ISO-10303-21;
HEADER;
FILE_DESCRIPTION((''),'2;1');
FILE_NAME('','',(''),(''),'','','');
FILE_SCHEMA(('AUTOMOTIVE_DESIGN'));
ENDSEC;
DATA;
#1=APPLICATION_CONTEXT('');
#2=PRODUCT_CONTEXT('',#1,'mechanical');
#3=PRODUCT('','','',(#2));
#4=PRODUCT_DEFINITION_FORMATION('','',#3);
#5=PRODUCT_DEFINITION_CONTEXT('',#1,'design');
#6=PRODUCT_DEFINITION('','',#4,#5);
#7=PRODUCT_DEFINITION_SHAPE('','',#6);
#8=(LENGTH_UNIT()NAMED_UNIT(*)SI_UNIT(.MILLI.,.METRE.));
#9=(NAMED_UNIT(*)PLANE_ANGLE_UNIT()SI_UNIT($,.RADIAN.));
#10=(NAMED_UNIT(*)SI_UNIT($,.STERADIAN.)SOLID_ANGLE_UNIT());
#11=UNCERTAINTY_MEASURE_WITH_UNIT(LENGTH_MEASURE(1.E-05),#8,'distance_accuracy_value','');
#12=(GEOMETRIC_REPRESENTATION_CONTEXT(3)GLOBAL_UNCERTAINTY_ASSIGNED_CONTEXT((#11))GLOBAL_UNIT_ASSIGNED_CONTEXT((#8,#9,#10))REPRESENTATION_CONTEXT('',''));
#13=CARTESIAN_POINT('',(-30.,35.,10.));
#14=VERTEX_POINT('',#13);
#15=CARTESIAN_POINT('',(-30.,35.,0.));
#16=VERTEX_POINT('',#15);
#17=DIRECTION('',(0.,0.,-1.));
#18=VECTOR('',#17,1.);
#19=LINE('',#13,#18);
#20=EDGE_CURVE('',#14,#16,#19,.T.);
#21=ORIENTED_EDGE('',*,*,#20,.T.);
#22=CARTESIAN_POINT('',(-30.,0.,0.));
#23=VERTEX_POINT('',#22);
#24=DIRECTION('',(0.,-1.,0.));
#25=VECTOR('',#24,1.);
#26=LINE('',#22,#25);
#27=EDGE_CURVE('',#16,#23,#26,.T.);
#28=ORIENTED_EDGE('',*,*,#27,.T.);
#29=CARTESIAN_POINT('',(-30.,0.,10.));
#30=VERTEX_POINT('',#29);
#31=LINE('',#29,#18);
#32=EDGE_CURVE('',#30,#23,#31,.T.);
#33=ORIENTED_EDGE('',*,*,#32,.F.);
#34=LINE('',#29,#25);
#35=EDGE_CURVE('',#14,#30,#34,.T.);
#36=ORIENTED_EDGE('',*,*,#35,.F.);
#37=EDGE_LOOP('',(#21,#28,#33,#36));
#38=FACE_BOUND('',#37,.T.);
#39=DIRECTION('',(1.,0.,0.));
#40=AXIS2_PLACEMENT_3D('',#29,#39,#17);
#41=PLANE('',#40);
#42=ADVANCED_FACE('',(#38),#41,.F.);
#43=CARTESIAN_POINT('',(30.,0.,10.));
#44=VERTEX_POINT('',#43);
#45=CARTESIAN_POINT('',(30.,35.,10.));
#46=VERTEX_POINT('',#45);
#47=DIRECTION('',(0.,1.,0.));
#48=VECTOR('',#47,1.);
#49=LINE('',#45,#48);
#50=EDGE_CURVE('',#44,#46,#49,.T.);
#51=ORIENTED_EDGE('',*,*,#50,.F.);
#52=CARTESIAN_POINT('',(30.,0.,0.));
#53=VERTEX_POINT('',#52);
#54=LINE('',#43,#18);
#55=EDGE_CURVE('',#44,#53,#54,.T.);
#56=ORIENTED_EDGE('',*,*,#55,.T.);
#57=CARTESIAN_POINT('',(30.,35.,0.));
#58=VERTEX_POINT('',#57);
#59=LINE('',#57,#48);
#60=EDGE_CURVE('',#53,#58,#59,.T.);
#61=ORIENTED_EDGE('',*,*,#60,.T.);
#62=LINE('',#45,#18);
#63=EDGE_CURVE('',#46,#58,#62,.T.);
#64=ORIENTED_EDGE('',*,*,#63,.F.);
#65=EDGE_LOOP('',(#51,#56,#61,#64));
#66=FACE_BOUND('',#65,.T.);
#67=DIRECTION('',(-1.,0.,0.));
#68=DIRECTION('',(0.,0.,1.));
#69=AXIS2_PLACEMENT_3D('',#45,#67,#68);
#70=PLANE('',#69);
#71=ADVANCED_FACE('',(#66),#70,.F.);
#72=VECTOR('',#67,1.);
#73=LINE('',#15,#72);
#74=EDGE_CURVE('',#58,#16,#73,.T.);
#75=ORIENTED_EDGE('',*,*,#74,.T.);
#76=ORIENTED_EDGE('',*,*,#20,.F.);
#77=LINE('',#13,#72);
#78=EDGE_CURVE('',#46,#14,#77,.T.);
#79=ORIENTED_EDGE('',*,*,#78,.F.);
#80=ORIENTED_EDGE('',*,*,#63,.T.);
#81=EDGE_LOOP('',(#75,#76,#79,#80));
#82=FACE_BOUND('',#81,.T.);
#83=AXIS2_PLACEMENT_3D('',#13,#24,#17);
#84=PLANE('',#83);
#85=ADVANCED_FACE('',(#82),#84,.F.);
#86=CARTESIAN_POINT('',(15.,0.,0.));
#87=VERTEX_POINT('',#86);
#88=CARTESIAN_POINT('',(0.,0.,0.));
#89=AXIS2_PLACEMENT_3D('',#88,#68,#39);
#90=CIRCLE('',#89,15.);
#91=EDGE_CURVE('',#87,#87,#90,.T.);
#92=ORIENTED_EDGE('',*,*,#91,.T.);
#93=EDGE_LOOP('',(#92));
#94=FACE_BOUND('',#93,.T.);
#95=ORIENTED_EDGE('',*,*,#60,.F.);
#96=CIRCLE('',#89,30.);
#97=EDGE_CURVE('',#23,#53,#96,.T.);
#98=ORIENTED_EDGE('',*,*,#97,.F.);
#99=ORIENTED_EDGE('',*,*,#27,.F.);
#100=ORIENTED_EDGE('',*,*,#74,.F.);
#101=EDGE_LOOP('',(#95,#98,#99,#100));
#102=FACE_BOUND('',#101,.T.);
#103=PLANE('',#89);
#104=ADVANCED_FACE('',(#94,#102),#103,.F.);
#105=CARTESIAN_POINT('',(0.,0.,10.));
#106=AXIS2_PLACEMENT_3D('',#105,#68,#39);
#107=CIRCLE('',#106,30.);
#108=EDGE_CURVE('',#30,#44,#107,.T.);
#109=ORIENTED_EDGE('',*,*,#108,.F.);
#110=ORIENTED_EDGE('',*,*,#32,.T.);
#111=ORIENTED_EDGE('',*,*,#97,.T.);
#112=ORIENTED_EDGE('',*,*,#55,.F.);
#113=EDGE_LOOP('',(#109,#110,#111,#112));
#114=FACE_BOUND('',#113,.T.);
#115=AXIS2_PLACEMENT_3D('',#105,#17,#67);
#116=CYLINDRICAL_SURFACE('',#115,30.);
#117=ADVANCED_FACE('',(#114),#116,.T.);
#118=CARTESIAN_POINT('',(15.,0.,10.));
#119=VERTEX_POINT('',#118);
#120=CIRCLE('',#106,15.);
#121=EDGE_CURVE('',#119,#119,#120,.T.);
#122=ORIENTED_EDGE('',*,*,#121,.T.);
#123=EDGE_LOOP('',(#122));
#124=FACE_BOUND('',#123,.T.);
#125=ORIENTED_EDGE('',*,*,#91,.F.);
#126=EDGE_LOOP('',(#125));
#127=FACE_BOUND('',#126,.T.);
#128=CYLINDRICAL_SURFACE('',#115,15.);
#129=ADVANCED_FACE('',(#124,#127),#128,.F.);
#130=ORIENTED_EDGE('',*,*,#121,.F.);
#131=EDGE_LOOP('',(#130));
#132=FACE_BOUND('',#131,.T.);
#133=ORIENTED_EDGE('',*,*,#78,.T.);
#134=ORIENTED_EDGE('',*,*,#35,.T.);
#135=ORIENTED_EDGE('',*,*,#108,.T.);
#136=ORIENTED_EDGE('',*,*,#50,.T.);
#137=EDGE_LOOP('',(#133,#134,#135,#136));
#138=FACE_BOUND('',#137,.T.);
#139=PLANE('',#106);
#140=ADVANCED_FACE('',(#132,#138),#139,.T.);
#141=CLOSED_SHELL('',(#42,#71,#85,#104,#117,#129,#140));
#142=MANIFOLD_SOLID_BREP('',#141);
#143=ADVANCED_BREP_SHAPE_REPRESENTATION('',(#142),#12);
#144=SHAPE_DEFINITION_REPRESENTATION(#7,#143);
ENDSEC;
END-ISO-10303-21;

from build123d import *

# Parameters (mm, degrees)
SKETCH1_R           = 15
BOSS_EXTRUDE1_DEPTH = 10


with BuildPart() as part:
    # Sketch1 → Boss-Extrude1 (new body)
    with BuildSketch(Plane.XY):
        with BuildLine():
            Line((-30, 0), (-30, 35))
            Line((-30, 35), (30, 35))
            Line((30, 35), (30, 0))
            ThreePointArc((30, 0), (0, -30), (-30, 0))
        make_face()
        Circle(SKETCH1_R, mode=Mode.SUBTRACT)
    extrude(amount=BOSS_EXTRUDE1_DEPTH)


solid = part.part
